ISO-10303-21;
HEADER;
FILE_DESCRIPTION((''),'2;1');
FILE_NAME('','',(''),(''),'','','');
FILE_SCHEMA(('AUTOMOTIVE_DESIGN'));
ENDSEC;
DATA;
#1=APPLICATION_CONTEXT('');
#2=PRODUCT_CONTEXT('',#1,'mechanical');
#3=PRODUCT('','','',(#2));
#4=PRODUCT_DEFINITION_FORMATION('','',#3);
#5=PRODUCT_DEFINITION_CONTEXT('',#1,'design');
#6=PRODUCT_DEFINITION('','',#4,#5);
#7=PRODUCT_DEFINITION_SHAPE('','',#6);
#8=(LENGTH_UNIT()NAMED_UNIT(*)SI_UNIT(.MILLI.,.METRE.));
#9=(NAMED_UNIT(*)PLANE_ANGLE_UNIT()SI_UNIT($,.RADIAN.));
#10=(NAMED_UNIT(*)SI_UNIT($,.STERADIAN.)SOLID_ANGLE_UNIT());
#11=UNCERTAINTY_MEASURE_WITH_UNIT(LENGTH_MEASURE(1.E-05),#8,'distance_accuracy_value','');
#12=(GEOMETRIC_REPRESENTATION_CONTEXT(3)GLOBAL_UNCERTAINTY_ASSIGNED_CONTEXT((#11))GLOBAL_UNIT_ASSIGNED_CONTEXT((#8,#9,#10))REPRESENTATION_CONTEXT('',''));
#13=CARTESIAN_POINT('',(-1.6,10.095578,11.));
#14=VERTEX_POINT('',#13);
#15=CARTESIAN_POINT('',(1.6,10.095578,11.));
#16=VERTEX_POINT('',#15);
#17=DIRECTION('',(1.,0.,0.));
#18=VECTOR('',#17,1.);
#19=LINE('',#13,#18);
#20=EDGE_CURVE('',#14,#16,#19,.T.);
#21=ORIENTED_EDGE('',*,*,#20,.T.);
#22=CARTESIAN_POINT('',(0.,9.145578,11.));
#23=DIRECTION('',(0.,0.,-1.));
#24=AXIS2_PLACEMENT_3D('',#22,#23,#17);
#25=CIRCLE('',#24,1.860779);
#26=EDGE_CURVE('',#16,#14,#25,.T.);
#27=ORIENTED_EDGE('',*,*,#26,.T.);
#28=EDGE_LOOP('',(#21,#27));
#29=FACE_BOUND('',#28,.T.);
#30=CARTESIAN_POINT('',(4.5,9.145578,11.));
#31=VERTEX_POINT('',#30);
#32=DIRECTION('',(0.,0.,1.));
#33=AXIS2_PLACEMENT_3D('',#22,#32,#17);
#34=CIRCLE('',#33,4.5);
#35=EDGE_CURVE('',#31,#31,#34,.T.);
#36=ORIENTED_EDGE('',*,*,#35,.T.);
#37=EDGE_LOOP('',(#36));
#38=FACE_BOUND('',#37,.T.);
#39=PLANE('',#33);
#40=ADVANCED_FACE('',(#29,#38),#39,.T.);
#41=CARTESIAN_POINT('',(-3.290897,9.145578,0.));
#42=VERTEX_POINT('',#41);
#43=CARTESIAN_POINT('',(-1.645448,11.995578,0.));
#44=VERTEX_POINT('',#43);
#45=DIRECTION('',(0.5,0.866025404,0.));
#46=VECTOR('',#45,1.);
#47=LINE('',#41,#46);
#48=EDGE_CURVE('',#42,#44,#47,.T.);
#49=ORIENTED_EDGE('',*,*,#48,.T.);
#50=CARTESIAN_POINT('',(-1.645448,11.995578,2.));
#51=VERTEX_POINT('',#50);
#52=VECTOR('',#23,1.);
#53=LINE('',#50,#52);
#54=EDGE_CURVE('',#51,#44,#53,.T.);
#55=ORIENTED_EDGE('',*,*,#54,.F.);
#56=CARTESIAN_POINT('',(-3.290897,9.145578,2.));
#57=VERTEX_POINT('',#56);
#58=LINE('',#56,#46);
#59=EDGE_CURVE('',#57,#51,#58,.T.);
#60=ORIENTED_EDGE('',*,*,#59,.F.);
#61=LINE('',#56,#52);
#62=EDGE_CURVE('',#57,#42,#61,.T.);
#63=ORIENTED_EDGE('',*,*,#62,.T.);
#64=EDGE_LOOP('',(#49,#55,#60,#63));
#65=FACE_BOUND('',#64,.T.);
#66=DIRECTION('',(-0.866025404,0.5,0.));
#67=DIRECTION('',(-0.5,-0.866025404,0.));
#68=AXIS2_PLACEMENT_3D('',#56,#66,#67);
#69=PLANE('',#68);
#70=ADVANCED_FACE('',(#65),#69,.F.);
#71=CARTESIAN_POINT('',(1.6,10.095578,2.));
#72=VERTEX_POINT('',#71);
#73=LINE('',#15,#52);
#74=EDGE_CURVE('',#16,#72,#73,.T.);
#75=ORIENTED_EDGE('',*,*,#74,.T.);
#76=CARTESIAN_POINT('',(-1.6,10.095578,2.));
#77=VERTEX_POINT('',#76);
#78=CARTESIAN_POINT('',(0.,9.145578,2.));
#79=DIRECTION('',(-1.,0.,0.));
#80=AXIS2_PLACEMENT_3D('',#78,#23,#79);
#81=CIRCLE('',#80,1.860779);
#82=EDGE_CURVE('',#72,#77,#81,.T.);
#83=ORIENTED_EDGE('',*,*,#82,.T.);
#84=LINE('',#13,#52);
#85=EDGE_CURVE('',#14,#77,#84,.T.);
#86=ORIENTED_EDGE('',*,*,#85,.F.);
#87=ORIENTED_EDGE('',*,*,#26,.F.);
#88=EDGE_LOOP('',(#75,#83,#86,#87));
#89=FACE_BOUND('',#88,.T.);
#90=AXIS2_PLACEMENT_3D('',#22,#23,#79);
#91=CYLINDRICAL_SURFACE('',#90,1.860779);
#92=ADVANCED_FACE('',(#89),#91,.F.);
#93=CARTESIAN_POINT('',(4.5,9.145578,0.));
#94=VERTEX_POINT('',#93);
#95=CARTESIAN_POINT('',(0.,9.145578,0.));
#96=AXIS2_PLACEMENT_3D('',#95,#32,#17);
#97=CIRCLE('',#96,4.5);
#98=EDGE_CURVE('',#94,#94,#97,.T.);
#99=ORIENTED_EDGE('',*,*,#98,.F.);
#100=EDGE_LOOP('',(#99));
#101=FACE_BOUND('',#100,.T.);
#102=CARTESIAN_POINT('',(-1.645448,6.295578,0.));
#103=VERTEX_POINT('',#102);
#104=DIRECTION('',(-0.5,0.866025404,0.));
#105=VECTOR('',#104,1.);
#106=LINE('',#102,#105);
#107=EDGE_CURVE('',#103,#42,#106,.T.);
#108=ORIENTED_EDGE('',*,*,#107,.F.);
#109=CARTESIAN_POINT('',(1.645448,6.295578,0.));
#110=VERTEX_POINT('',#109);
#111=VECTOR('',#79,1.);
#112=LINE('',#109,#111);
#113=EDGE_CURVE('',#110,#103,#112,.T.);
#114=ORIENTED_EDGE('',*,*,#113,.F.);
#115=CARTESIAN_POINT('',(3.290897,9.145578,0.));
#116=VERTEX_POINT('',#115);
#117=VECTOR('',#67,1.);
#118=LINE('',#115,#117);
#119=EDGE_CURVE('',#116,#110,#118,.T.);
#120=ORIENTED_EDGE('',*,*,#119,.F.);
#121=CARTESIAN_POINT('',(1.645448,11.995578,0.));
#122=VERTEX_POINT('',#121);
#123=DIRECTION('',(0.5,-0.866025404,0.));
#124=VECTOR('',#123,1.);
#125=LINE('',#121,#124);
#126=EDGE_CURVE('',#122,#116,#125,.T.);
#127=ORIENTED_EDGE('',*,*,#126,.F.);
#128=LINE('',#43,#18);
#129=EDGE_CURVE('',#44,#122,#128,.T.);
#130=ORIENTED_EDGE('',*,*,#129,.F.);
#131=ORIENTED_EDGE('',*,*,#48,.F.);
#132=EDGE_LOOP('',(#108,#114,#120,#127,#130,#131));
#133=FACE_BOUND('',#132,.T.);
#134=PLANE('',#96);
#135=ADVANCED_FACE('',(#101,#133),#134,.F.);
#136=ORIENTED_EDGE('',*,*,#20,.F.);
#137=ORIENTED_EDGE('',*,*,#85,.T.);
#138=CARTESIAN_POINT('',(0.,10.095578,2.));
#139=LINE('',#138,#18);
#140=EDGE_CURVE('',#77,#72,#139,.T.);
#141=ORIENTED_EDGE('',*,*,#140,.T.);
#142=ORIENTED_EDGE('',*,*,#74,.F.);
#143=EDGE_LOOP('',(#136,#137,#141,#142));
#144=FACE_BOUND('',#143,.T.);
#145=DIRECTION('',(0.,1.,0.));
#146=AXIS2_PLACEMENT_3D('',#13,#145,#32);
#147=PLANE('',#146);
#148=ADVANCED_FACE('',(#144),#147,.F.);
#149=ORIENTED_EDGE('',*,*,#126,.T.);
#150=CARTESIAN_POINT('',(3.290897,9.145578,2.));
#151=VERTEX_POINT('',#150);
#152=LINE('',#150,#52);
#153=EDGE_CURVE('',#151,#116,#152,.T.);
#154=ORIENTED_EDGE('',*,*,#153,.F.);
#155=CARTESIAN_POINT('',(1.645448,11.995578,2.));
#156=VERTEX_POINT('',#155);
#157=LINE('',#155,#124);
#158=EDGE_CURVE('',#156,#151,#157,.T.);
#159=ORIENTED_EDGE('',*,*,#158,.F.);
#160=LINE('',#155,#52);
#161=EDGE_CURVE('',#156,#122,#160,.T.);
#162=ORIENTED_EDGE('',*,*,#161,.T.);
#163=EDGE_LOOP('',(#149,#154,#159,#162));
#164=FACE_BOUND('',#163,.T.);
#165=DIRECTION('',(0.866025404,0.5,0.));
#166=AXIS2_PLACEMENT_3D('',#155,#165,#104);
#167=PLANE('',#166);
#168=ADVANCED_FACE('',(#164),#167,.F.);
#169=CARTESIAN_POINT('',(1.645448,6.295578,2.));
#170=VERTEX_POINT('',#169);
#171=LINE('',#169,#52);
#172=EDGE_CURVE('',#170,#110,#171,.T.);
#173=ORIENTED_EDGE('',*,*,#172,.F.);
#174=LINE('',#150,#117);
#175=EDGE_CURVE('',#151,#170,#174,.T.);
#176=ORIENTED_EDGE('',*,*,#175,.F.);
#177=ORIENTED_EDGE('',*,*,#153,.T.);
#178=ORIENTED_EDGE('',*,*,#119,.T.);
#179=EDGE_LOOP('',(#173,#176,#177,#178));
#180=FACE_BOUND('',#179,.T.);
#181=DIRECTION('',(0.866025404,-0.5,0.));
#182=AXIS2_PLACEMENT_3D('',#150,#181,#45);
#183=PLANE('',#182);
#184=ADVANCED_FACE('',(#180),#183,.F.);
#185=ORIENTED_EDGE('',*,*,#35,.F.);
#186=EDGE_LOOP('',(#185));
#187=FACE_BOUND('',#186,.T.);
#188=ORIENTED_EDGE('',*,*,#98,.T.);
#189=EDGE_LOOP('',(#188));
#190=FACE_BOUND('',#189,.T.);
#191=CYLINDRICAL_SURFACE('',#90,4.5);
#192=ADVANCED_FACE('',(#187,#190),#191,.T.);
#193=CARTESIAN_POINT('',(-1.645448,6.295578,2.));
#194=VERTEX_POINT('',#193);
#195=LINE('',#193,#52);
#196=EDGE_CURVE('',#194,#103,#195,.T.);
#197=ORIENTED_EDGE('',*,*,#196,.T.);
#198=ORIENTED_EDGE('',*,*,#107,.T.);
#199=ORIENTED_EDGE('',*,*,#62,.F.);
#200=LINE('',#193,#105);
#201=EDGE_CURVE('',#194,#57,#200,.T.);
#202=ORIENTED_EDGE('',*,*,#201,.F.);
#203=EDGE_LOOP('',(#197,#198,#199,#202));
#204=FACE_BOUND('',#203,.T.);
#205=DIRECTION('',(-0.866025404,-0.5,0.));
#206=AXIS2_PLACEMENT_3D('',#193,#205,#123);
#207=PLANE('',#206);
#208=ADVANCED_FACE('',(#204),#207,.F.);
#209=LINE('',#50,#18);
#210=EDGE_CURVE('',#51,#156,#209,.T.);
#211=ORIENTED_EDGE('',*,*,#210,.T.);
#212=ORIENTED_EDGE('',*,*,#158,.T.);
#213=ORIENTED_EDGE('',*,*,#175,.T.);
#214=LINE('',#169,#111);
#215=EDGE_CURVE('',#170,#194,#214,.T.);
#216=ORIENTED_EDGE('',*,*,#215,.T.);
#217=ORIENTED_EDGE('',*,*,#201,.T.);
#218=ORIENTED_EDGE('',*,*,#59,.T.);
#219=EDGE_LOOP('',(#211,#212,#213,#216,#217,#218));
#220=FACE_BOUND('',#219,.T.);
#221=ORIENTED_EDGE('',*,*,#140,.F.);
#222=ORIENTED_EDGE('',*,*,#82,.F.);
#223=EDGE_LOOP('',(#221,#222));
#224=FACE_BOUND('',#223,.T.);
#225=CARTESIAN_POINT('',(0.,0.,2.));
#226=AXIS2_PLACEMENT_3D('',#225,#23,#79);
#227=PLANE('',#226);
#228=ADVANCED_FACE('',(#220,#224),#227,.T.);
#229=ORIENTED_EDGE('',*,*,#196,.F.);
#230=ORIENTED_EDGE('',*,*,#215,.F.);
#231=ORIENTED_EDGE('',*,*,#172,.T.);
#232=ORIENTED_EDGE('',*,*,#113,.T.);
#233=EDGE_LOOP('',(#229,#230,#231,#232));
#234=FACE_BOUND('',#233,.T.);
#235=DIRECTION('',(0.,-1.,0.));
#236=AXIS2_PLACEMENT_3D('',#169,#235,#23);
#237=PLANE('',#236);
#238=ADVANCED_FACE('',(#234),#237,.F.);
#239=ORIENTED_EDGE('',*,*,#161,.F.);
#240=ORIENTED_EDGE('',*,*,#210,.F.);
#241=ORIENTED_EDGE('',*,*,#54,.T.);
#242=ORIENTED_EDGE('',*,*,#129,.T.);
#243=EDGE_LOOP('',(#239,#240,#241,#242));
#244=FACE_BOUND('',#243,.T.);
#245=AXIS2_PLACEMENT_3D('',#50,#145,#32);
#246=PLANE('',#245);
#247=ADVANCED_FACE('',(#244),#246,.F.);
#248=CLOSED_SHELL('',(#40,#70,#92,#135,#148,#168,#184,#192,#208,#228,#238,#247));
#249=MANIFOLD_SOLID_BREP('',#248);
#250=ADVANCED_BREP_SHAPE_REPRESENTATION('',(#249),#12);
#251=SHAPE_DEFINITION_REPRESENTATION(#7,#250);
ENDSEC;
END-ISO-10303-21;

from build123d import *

# Parameters (mm, degrees)
SKETCH1_R           = 4.5
BOSS_EXTRUDE1_DEPTH = 11
CUT_EXTRUDE3_DEPTH  = 2
CUT_EXTRUDE4_DEPTH  = 12


with BuildPart() as part:
    # Sketch1 → Boss-Extrude1 (new body)
    with BuildSketch(Plane.XY):
        with Locations((0, 9.145577701)):
            Circle(SKETCH1_R)
    extrude(amount=BOSS_EXTRUDE1_DEPTH)

    # Sketch6 → Cut-Extrude3 (cut)
    with BuildSketch(Plane(origin=(0, 0, 0), x_dir=(-1, 0, 0), z_dir=(0, 0, -1))):
        Polygon((3.290896534, 9.145577701), (1.645448267, 11.995577701), (-1.645448267, 11.995577701), (-3.290896534, 9.145577701), (-1.645448267, 6.295577701), (1.645448267, 6.295577701), align=None)
    extrude(amount=-CUT_EXTRUDE3_DEPTH, mode=Mode.SUBTRACT)

    # Sketch7 → Cut-Extrude4 (cut, through all)
    with BuildSketch(Plane(origin=(0, 0, 0), x_dir=(-1, 0, 0), z_dir=(0, 0, -1))):
        with BuildLine():
            Line((1.6, 10.095577701), (-1.6, 10.095577701))
            ThreePointArc((-1.6, 10.095577701), (0, 7.284798295), (1.6, 10.095577701))
        make_face()
    extrude(amount=-CUT_EXTRUDE4_DEPTH, mode=Mode.SUBTRACT)


solid = part.part
